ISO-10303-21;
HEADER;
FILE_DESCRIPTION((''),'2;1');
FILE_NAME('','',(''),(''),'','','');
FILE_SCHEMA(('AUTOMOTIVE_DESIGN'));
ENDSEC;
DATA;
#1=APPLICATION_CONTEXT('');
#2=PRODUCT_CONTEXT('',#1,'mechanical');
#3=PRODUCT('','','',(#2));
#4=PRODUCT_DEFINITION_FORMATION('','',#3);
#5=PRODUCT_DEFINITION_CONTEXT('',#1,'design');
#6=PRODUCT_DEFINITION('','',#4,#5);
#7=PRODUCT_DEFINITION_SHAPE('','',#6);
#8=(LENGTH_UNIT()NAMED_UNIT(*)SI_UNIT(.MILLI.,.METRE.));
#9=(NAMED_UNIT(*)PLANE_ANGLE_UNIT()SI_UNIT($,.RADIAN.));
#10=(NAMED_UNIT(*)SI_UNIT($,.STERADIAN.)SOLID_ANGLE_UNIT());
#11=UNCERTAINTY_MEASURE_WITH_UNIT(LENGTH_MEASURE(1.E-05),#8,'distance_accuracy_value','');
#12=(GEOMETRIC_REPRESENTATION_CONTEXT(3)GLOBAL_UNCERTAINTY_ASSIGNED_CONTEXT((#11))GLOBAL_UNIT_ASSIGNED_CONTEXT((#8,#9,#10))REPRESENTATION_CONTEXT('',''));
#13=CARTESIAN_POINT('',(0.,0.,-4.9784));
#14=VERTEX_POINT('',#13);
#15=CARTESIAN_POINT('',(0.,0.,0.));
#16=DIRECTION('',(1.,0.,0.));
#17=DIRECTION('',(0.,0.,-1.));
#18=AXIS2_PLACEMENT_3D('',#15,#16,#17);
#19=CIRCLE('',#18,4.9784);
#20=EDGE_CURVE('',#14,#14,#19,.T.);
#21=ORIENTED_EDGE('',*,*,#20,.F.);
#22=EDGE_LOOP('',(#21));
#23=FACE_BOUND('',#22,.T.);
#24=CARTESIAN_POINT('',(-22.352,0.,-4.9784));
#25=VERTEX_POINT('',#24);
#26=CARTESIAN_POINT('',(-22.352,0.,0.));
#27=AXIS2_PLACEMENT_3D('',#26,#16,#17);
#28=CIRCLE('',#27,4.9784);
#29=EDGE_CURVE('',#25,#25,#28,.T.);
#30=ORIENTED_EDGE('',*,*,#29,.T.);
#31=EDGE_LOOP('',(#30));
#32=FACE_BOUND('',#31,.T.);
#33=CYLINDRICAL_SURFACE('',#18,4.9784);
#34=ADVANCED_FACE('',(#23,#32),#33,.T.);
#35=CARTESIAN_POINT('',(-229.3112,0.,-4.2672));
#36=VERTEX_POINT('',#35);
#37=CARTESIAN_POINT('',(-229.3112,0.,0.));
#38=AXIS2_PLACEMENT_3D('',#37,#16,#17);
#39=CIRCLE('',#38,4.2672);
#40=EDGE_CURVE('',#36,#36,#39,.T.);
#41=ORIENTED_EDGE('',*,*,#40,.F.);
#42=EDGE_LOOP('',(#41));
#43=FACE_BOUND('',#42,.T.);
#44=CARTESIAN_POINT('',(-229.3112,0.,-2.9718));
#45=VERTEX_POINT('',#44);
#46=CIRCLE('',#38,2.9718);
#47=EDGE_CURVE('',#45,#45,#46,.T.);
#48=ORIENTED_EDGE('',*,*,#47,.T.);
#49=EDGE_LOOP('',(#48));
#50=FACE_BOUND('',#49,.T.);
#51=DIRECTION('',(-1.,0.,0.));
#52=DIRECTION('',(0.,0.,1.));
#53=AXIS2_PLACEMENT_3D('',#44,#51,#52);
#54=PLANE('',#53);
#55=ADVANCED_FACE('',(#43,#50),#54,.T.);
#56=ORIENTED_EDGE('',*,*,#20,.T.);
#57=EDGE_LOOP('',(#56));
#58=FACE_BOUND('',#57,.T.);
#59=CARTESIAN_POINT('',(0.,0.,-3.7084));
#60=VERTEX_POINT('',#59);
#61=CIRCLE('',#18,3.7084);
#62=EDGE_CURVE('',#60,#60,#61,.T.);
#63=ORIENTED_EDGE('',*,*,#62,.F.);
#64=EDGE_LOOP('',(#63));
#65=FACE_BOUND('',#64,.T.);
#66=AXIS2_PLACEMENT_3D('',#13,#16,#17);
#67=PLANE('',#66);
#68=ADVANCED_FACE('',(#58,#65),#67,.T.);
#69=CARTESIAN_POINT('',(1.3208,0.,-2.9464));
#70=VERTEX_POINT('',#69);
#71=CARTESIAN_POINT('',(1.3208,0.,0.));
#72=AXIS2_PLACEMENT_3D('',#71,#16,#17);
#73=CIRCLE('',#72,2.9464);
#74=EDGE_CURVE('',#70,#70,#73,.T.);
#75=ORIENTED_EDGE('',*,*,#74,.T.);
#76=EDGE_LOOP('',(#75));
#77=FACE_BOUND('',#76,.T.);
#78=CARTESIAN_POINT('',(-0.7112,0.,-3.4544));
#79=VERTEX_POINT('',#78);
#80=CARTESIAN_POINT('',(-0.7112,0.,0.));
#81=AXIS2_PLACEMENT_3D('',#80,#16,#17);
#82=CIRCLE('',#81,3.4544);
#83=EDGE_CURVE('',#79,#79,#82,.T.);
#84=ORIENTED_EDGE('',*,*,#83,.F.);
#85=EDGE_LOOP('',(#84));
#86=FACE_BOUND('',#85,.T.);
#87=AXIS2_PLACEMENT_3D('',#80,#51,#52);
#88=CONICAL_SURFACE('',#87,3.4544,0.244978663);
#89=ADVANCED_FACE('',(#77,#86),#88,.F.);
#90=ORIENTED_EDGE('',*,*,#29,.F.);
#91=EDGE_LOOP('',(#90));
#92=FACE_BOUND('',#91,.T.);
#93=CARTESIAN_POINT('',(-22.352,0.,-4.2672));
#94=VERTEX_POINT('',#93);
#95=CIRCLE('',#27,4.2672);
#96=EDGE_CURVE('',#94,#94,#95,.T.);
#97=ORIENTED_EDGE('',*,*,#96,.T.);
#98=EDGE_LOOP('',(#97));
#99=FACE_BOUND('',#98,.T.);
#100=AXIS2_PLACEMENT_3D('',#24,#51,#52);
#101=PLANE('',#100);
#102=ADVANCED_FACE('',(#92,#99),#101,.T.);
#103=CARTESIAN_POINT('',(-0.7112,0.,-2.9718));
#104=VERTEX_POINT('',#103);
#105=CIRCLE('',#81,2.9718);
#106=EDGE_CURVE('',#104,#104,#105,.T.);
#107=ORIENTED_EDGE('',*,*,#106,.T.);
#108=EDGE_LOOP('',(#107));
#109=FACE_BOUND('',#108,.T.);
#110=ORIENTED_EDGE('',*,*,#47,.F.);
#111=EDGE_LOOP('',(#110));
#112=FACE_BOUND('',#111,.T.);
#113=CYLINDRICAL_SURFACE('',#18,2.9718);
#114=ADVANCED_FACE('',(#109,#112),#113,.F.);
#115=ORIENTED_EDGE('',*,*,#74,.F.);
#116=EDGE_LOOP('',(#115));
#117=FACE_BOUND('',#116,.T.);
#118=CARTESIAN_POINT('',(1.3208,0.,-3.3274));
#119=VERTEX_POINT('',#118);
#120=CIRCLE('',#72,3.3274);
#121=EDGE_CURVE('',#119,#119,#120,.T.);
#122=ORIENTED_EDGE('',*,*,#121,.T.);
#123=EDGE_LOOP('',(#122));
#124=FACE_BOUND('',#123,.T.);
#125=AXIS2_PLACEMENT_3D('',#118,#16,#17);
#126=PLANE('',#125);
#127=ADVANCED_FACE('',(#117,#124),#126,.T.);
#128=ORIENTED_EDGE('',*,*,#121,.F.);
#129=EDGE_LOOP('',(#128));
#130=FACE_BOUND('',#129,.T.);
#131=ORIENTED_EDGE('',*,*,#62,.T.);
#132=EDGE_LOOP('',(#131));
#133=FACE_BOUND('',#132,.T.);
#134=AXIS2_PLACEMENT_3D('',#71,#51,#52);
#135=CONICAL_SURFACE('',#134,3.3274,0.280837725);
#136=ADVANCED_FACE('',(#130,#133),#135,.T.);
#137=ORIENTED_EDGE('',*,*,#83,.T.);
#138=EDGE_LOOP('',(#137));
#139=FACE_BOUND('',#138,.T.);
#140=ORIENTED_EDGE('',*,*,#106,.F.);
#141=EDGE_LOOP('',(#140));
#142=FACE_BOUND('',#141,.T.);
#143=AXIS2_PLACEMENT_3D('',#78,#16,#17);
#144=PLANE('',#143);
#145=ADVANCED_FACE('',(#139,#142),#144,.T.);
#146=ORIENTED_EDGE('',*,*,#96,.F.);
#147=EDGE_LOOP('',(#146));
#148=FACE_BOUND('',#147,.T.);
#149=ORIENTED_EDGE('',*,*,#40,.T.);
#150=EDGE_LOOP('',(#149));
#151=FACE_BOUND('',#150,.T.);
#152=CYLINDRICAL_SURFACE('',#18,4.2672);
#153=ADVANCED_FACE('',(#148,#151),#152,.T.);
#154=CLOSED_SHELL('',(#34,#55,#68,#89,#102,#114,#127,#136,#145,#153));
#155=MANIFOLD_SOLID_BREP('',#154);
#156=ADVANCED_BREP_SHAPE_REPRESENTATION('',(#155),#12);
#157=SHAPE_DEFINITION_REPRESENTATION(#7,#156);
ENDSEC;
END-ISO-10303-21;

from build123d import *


with BuildPart() as part:
    # Sketch1 → Revolve1 (revolve)
    with BuildSketch(Plane(origin=(0, 0, 0), x_dir=(1, 0, 0), z_dir=(0, 1, 0))):
        Polygon((0, 4.9784), (-22.352, 4.9784), (-22.352, 4.2672), (-229.3112, 4.2672), (-229.3112, 2.9718), (-0.7112, 2.9718), (-0.7112, 3.4544), (1.3208, 2.9464), (1.3208, 3.3274), (0, 3.7084), align=None)
    revolve(axis=Axis((0, 0, 0), (-1, 0, 0)))


solid = part.part
